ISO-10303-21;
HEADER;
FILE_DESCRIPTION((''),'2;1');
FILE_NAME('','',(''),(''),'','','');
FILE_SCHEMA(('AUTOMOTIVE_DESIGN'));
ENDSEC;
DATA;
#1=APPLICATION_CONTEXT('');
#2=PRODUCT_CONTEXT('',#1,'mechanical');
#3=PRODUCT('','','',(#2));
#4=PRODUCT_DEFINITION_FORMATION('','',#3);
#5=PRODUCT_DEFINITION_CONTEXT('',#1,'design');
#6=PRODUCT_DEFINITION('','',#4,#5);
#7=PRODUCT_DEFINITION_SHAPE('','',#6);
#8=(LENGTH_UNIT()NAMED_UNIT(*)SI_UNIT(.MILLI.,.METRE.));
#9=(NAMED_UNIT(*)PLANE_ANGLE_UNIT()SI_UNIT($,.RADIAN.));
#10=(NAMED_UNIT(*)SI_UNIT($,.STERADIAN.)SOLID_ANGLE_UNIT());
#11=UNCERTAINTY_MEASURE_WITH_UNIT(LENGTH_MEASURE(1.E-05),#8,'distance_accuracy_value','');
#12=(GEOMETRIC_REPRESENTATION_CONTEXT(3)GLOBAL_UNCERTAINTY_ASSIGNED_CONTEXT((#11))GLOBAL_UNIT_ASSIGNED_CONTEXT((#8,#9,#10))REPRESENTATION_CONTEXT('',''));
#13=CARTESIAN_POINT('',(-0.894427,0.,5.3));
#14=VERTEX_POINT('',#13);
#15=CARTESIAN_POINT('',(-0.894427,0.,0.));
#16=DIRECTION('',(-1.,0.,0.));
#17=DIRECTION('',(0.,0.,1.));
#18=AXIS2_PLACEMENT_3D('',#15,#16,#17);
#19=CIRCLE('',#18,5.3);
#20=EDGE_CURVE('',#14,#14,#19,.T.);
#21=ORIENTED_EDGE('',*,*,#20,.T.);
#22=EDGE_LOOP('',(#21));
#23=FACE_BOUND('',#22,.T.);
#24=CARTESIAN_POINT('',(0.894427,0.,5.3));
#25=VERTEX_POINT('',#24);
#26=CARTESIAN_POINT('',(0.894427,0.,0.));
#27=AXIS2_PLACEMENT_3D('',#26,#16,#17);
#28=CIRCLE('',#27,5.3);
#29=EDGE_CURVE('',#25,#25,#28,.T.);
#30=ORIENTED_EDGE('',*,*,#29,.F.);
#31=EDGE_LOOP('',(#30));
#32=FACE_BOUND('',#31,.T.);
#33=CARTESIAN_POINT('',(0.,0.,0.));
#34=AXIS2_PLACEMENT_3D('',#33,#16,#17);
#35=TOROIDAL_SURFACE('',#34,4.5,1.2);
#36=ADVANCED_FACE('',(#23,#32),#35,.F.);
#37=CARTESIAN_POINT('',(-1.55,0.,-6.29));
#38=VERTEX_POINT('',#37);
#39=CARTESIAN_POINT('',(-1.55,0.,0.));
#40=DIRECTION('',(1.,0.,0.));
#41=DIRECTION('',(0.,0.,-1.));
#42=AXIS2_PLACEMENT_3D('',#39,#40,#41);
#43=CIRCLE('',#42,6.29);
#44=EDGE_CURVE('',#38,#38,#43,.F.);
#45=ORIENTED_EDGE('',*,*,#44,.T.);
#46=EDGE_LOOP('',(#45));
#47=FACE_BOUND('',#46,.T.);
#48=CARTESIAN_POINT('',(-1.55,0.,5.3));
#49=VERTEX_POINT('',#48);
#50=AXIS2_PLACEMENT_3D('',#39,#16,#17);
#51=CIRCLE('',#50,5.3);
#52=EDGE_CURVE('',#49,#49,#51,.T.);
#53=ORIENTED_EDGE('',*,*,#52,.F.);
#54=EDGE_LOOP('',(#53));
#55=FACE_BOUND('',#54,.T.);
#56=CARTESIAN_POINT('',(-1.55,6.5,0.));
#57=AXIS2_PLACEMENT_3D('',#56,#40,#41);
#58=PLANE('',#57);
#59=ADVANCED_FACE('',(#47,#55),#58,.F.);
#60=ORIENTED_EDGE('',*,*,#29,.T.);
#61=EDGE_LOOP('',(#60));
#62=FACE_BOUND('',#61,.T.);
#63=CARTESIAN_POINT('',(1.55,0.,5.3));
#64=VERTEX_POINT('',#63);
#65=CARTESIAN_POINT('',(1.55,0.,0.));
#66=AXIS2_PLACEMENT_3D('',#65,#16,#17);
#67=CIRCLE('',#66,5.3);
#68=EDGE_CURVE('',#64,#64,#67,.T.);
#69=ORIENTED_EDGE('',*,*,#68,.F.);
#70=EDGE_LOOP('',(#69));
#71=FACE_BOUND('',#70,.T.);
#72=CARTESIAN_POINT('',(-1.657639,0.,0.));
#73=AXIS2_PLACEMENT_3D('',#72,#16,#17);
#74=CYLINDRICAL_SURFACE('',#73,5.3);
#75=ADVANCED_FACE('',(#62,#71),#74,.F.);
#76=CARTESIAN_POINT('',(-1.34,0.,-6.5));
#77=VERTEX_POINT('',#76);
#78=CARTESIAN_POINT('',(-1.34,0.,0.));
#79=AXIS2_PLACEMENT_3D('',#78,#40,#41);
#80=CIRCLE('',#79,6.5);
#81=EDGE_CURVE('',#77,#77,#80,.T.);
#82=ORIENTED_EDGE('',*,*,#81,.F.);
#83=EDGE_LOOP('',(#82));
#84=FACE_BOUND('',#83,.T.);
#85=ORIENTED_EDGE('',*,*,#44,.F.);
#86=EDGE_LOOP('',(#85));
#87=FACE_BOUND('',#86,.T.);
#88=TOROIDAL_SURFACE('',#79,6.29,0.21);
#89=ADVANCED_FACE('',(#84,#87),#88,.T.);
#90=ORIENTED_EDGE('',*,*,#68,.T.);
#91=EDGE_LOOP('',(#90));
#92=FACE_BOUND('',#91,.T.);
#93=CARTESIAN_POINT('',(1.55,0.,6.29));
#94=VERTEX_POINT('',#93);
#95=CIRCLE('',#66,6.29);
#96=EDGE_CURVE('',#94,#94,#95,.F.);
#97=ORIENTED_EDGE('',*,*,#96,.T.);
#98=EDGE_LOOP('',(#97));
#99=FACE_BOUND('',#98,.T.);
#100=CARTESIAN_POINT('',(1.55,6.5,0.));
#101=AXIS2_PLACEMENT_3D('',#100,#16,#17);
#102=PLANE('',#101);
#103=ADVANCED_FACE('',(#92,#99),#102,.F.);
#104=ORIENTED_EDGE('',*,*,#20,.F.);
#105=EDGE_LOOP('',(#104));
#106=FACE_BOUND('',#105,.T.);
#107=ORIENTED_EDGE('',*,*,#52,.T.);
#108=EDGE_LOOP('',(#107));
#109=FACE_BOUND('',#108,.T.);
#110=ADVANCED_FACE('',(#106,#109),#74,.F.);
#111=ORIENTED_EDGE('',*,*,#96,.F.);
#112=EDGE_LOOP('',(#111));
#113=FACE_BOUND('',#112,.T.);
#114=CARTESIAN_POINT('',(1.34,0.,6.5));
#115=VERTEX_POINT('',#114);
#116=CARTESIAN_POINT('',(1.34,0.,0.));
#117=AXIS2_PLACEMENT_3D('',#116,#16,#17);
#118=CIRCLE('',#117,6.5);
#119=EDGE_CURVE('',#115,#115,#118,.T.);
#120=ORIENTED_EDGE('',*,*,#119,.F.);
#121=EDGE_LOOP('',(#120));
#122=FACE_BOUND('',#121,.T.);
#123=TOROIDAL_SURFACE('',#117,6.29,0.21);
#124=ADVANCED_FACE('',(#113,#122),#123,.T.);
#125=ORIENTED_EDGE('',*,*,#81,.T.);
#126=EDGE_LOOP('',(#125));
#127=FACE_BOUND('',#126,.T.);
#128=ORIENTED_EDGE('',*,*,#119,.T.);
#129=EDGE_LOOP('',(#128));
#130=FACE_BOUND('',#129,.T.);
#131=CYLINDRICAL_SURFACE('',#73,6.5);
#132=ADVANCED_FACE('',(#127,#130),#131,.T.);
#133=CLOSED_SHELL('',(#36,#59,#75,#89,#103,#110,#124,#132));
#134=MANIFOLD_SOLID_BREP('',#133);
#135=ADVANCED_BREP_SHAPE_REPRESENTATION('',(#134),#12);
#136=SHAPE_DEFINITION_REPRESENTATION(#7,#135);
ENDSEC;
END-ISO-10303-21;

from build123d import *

# Parameters (mm, degrees)
FILLET1_R    = 2.1
SCALE1_SCALE = 0.1


with BuildPart() as part:
    # Sketch1 → Revolve1 (revolve)
    with BuildSketch(Plane.XY, mode=Mode.PRIVATE) as revolve1_sk:
        with BuildLine():
            Line((-15.5, 65), (15.5, 65))
            Line((15.5, 65), (15.5, 53))
            Line((15.5, 53), (8.94427191, 53))
            ThreePointArc((8.94427191, 53), (0, 57), (-8.94427191, 53))
            Line((-8.94427191, 53), (-15.5, 53))
            Line((-15.5, 53), (-15.5, 65))
        make_face()
    revolve(revolve1_sk.sketch.rotate(Axis((-16.576388889, 0, 0), (1, 0, 0)), 90), axis=Axis((-16.576388889, 0, 0), (1, 0, 0)))

    # Fillet1
    fillet1_edges = [part.edges().sort_by_distance(p)[0] for p in [
        (15.5, 0, -65),
        (-15.5, 0, -65),
    ]]
    fillet(fillet1_edges, radius=FILLET1_R)


with BuildPart() as part_1:
    # Scale1: scaled about (0, 0, 0)
    add(part.part.scale(SCALE1_SCALE))


solid = part_1.part
